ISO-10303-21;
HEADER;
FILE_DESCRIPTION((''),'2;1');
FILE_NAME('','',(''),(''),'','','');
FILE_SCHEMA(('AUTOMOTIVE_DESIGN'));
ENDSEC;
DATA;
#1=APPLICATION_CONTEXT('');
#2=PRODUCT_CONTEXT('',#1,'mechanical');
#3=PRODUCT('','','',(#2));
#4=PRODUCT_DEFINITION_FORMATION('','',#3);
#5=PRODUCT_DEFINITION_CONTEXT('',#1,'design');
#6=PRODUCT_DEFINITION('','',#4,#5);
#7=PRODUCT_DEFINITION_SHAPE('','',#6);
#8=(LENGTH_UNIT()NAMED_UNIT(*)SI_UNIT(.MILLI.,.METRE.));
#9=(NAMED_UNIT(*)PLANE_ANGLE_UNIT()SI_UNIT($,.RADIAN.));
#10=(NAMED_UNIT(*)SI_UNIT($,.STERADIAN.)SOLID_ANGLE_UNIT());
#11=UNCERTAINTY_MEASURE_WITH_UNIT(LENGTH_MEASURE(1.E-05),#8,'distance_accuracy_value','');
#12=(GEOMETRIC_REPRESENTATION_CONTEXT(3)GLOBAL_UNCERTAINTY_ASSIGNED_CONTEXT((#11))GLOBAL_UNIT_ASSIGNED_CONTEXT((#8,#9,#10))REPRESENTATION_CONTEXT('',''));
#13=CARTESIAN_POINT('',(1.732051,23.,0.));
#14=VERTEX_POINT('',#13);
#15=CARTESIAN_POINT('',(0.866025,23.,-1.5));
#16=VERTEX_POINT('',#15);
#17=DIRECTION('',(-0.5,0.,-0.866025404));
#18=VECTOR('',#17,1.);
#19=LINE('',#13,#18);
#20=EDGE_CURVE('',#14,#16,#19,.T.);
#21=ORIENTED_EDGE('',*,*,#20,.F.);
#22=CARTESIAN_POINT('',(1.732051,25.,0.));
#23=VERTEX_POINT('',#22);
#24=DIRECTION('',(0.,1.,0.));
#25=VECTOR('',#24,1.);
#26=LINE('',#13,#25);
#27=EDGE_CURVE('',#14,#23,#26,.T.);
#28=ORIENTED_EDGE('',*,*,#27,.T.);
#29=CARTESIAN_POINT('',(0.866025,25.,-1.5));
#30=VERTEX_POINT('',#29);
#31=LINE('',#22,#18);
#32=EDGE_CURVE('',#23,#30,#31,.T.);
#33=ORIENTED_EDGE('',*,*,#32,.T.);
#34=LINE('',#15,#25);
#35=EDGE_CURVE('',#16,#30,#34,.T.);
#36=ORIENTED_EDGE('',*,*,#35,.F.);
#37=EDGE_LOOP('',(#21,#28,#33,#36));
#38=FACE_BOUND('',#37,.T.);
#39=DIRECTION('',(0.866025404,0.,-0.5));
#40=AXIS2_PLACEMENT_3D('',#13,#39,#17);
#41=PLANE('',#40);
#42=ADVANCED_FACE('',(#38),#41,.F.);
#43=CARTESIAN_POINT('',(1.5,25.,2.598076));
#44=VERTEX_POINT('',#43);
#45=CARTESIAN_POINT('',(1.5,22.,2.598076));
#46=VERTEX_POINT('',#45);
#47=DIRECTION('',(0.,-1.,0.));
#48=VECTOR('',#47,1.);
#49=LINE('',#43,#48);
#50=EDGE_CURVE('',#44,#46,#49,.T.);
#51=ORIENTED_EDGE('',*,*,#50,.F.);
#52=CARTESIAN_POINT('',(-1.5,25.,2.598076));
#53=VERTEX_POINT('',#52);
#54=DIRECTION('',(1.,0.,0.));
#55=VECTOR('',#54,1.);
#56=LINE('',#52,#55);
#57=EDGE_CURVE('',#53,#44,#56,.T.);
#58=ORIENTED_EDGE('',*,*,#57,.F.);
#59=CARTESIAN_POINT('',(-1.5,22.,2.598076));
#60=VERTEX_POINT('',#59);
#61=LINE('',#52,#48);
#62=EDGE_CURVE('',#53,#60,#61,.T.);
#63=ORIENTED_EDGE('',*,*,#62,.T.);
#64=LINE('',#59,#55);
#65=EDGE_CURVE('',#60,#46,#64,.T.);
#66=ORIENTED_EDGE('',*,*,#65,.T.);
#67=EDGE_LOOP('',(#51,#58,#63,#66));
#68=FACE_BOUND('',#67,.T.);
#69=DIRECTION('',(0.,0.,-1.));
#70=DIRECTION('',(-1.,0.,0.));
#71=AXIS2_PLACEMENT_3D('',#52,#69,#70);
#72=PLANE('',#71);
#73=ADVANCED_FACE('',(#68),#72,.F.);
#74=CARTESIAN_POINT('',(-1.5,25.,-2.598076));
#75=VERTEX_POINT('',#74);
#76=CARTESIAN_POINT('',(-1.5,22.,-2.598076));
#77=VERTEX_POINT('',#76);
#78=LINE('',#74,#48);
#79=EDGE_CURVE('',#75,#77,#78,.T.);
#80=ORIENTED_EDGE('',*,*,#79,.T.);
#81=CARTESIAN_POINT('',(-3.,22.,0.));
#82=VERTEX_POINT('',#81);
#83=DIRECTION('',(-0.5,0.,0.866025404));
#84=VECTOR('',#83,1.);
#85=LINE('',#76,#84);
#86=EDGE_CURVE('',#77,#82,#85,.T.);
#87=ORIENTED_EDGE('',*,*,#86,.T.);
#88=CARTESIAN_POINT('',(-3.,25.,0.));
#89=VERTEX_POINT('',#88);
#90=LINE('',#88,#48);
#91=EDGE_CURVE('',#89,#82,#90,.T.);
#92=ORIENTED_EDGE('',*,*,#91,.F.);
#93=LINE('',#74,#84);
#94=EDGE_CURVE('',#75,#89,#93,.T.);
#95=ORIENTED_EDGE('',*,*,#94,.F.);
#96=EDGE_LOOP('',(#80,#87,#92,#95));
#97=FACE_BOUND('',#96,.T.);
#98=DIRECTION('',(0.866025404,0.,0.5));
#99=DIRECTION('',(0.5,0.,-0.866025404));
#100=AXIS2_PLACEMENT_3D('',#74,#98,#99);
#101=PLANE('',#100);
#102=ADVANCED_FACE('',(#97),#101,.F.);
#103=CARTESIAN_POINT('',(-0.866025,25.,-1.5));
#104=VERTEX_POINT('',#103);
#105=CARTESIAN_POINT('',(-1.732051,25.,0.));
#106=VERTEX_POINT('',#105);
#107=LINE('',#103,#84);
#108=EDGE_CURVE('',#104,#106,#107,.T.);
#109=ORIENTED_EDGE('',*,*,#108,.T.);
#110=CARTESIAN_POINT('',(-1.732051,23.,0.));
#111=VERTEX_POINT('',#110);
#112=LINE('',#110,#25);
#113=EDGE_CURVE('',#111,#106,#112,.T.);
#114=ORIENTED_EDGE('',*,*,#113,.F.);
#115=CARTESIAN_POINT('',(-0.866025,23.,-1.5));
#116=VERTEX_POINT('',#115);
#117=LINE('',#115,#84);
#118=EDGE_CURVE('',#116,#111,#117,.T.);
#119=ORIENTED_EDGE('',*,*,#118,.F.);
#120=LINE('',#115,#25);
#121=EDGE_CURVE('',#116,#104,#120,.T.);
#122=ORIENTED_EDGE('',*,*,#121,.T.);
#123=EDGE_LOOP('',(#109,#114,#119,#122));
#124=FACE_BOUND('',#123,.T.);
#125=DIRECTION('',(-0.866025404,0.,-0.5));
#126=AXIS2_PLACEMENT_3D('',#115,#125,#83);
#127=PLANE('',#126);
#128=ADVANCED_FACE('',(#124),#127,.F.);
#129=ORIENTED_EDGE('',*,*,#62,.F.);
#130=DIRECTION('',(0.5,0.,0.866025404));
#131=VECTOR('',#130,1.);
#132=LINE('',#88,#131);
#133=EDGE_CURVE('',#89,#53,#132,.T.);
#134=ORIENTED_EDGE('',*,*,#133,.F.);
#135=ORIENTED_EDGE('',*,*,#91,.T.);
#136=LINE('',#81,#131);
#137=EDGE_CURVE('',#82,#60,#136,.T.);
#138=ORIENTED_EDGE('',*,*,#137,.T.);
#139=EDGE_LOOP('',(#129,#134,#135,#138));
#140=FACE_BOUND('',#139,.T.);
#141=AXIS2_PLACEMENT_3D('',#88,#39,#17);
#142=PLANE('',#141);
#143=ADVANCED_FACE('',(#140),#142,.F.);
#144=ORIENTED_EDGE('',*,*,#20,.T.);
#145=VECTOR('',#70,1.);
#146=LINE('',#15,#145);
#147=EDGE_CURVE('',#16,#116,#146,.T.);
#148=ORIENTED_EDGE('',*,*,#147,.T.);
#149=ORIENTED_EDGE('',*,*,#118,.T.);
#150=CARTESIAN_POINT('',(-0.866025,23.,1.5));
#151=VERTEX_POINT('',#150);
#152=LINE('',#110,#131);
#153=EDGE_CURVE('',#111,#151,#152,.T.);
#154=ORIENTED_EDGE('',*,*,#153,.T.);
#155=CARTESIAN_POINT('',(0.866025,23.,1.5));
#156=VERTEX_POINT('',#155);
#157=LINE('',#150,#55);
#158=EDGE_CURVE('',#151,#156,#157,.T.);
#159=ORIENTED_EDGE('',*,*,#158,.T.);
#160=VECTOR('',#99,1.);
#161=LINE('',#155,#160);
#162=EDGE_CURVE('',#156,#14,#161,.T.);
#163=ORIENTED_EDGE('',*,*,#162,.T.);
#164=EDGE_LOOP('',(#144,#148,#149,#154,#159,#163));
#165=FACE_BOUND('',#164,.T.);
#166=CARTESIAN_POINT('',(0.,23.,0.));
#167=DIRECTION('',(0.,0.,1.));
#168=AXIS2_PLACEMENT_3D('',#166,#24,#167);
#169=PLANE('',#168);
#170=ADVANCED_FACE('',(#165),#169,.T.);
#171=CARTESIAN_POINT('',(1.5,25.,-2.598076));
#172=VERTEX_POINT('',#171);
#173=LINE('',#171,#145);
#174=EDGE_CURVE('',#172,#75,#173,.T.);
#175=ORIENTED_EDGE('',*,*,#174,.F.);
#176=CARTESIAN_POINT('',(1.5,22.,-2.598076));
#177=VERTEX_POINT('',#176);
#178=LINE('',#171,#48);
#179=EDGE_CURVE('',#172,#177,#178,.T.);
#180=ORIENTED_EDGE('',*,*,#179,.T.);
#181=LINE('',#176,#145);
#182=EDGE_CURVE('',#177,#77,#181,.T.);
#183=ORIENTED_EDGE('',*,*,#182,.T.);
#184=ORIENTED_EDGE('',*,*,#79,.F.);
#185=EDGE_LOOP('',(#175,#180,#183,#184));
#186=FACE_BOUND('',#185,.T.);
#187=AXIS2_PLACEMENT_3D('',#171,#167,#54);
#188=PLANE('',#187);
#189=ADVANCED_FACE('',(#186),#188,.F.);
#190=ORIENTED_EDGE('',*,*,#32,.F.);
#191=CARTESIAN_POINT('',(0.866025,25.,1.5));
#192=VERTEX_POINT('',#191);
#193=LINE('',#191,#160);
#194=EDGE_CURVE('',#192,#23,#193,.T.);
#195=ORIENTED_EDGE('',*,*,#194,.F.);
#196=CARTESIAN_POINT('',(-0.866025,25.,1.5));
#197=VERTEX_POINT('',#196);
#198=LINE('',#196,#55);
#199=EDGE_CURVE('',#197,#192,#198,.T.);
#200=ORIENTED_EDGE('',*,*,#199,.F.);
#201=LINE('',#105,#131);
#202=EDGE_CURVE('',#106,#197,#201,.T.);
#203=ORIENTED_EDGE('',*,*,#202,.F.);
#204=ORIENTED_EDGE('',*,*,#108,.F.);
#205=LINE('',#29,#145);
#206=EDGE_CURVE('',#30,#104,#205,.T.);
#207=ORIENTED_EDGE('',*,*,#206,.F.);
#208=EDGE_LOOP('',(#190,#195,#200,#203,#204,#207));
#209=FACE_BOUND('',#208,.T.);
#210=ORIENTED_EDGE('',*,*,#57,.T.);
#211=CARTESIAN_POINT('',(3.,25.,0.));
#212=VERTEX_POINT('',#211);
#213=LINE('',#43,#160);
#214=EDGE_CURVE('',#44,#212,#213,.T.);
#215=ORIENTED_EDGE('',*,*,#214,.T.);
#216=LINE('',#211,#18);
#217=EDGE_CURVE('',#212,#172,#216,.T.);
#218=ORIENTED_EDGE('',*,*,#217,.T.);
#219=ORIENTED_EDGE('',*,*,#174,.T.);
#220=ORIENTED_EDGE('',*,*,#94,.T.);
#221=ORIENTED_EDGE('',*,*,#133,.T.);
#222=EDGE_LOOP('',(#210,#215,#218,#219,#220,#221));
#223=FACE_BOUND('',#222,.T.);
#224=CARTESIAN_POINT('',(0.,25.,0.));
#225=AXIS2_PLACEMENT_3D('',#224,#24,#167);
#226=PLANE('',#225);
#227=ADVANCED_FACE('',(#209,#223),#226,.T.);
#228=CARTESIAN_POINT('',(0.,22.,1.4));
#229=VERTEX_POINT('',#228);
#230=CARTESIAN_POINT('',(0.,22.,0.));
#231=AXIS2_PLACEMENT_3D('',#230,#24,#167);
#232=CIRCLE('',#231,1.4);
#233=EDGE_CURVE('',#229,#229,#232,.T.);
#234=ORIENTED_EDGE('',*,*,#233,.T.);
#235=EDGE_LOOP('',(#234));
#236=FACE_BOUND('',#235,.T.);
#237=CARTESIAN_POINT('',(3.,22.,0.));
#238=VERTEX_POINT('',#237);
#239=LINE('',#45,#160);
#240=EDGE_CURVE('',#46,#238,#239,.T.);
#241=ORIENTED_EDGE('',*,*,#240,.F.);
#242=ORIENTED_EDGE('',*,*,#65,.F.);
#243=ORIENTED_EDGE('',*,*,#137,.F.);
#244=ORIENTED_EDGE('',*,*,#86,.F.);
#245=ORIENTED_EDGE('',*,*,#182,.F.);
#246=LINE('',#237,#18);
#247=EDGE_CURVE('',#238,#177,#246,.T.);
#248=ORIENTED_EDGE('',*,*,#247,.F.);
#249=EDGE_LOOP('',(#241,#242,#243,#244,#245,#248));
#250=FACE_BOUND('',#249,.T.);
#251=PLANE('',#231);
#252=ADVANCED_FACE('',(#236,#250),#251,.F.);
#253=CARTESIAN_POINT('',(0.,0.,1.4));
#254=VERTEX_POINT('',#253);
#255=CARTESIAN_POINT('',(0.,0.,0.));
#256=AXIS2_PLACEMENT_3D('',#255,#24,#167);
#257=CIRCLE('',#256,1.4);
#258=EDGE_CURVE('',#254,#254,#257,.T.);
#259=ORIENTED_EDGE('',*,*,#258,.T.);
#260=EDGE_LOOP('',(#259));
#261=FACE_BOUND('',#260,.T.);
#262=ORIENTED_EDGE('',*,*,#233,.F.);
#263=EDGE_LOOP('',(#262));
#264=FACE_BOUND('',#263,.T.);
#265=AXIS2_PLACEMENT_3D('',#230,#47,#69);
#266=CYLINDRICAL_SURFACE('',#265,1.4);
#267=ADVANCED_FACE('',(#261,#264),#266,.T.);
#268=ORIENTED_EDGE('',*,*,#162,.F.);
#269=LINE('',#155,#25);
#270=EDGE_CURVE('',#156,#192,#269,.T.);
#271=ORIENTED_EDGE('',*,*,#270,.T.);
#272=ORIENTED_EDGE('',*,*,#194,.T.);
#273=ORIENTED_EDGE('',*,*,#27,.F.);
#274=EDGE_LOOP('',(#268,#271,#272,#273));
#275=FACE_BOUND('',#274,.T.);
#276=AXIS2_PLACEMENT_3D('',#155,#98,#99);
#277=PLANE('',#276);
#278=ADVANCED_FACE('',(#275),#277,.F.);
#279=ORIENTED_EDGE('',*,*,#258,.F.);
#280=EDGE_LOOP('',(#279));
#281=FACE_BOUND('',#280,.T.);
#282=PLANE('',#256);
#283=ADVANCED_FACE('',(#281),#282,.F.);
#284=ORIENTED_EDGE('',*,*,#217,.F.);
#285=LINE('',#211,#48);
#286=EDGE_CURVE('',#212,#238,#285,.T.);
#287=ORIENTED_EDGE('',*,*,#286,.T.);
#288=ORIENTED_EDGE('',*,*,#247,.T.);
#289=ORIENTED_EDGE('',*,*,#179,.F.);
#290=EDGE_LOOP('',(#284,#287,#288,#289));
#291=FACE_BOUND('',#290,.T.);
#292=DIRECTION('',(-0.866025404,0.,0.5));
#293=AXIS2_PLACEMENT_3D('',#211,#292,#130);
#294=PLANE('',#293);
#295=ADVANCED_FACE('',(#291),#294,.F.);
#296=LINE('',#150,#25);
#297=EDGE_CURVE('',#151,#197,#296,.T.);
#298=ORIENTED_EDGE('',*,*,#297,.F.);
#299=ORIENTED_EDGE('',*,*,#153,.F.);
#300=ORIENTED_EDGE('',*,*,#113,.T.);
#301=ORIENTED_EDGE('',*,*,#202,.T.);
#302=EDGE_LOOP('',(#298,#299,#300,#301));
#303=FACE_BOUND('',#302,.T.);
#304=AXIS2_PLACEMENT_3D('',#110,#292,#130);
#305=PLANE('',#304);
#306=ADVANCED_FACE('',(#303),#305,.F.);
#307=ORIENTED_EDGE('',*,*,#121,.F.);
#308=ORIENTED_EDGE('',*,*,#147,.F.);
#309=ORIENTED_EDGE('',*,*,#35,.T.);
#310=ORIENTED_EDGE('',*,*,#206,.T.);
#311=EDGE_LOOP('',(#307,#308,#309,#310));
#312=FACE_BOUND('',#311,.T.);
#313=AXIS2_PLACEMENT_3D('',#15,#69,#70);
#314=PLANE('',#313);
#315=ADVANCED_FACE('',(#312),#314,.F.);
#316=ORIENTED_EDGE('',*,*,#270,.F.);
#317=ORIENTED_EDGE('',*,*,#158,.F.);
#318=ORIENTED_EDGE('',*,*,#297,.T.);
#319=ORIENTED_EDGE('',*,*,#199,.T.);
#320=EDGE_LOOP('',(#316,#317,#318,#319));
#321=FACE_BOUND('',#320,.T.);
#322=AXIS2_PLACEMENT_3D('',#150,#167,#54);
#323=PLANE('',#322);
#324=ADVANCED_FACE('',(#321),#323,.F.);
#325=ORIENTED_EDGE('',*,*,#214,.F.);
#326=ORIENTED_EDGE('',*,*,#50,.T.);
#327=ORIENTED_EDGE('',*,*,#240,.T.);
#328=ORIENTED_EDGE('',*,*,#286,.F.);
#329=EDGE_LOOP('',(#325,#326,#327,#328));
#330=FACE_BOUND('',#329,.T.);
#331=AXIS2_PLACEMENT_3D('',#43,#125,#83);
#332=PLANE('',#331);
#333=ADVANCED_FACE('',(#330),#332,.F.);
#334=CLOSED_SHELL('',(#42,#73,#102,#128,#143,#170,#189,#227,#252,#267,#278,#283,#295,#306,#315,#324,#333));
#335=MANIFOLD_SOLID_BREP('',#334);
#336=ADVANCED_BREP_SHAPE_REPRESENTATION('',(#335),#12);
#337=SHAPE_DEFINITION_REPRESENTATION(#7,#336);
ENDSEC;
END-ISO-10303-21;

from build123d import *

# Parameters (mm, degrees)
SKETCH1_R           = 1.4
BOSS_EXTRUDE1_DEPTH = 22
BOSS_EXTRUDE2_DEPTH = 3
CUT_EXTRUDE1_DEPTH  = 2


with BuildPart() as part:
    # Sketch1 → Boss-Extrude1 (new body)
    with BuildSketch(Plane(origin=(0, 0, 0), x_dir=(1, 0, 0), z_dir=(0, 1, 0))):
        with Locations(Location((0, 0, 0), (0, 0, 270))):
            Circle(SKETCH1_R)
    extrude(amount=BOSS_EXTRUDE1_DEPTH)

    # Sketch2 → Boss-Extrude2 (add)
    with BuildSketch(Plane(origin=(0, 22, 0), x_dir=(1, 0, 0), z_dir=(0, 1, 0))):
        Polygon((3, 0), (1.5, 2.598076211), (-1.5, 2.598076211), (-3, 0), (-1.5, -2.598076211), (1.5, -2.598076211), align=None)
    extrude(amount=BOSS_EXTRUDE2_DEPTH)

    # Sketch3 → Cut-Extrude1 (cut)
    with BuildSketch(Plane(origin=(0, 25, 0), x_dir=(1, 0, 0), z_dir=(0, 1, 0))):
        Polygon((1.732050808, 0), (0.866025404, 1.5), (-0.866025404, 1.5), (-1.732050808, 0), (-0.866025404, -1.5), (0.866025404, -1.5), align=None)
    extrude(amount=-CUT_EXTRUDE1_DEPTH, mode=Mode.SUBTRACT)


solid = part.part
